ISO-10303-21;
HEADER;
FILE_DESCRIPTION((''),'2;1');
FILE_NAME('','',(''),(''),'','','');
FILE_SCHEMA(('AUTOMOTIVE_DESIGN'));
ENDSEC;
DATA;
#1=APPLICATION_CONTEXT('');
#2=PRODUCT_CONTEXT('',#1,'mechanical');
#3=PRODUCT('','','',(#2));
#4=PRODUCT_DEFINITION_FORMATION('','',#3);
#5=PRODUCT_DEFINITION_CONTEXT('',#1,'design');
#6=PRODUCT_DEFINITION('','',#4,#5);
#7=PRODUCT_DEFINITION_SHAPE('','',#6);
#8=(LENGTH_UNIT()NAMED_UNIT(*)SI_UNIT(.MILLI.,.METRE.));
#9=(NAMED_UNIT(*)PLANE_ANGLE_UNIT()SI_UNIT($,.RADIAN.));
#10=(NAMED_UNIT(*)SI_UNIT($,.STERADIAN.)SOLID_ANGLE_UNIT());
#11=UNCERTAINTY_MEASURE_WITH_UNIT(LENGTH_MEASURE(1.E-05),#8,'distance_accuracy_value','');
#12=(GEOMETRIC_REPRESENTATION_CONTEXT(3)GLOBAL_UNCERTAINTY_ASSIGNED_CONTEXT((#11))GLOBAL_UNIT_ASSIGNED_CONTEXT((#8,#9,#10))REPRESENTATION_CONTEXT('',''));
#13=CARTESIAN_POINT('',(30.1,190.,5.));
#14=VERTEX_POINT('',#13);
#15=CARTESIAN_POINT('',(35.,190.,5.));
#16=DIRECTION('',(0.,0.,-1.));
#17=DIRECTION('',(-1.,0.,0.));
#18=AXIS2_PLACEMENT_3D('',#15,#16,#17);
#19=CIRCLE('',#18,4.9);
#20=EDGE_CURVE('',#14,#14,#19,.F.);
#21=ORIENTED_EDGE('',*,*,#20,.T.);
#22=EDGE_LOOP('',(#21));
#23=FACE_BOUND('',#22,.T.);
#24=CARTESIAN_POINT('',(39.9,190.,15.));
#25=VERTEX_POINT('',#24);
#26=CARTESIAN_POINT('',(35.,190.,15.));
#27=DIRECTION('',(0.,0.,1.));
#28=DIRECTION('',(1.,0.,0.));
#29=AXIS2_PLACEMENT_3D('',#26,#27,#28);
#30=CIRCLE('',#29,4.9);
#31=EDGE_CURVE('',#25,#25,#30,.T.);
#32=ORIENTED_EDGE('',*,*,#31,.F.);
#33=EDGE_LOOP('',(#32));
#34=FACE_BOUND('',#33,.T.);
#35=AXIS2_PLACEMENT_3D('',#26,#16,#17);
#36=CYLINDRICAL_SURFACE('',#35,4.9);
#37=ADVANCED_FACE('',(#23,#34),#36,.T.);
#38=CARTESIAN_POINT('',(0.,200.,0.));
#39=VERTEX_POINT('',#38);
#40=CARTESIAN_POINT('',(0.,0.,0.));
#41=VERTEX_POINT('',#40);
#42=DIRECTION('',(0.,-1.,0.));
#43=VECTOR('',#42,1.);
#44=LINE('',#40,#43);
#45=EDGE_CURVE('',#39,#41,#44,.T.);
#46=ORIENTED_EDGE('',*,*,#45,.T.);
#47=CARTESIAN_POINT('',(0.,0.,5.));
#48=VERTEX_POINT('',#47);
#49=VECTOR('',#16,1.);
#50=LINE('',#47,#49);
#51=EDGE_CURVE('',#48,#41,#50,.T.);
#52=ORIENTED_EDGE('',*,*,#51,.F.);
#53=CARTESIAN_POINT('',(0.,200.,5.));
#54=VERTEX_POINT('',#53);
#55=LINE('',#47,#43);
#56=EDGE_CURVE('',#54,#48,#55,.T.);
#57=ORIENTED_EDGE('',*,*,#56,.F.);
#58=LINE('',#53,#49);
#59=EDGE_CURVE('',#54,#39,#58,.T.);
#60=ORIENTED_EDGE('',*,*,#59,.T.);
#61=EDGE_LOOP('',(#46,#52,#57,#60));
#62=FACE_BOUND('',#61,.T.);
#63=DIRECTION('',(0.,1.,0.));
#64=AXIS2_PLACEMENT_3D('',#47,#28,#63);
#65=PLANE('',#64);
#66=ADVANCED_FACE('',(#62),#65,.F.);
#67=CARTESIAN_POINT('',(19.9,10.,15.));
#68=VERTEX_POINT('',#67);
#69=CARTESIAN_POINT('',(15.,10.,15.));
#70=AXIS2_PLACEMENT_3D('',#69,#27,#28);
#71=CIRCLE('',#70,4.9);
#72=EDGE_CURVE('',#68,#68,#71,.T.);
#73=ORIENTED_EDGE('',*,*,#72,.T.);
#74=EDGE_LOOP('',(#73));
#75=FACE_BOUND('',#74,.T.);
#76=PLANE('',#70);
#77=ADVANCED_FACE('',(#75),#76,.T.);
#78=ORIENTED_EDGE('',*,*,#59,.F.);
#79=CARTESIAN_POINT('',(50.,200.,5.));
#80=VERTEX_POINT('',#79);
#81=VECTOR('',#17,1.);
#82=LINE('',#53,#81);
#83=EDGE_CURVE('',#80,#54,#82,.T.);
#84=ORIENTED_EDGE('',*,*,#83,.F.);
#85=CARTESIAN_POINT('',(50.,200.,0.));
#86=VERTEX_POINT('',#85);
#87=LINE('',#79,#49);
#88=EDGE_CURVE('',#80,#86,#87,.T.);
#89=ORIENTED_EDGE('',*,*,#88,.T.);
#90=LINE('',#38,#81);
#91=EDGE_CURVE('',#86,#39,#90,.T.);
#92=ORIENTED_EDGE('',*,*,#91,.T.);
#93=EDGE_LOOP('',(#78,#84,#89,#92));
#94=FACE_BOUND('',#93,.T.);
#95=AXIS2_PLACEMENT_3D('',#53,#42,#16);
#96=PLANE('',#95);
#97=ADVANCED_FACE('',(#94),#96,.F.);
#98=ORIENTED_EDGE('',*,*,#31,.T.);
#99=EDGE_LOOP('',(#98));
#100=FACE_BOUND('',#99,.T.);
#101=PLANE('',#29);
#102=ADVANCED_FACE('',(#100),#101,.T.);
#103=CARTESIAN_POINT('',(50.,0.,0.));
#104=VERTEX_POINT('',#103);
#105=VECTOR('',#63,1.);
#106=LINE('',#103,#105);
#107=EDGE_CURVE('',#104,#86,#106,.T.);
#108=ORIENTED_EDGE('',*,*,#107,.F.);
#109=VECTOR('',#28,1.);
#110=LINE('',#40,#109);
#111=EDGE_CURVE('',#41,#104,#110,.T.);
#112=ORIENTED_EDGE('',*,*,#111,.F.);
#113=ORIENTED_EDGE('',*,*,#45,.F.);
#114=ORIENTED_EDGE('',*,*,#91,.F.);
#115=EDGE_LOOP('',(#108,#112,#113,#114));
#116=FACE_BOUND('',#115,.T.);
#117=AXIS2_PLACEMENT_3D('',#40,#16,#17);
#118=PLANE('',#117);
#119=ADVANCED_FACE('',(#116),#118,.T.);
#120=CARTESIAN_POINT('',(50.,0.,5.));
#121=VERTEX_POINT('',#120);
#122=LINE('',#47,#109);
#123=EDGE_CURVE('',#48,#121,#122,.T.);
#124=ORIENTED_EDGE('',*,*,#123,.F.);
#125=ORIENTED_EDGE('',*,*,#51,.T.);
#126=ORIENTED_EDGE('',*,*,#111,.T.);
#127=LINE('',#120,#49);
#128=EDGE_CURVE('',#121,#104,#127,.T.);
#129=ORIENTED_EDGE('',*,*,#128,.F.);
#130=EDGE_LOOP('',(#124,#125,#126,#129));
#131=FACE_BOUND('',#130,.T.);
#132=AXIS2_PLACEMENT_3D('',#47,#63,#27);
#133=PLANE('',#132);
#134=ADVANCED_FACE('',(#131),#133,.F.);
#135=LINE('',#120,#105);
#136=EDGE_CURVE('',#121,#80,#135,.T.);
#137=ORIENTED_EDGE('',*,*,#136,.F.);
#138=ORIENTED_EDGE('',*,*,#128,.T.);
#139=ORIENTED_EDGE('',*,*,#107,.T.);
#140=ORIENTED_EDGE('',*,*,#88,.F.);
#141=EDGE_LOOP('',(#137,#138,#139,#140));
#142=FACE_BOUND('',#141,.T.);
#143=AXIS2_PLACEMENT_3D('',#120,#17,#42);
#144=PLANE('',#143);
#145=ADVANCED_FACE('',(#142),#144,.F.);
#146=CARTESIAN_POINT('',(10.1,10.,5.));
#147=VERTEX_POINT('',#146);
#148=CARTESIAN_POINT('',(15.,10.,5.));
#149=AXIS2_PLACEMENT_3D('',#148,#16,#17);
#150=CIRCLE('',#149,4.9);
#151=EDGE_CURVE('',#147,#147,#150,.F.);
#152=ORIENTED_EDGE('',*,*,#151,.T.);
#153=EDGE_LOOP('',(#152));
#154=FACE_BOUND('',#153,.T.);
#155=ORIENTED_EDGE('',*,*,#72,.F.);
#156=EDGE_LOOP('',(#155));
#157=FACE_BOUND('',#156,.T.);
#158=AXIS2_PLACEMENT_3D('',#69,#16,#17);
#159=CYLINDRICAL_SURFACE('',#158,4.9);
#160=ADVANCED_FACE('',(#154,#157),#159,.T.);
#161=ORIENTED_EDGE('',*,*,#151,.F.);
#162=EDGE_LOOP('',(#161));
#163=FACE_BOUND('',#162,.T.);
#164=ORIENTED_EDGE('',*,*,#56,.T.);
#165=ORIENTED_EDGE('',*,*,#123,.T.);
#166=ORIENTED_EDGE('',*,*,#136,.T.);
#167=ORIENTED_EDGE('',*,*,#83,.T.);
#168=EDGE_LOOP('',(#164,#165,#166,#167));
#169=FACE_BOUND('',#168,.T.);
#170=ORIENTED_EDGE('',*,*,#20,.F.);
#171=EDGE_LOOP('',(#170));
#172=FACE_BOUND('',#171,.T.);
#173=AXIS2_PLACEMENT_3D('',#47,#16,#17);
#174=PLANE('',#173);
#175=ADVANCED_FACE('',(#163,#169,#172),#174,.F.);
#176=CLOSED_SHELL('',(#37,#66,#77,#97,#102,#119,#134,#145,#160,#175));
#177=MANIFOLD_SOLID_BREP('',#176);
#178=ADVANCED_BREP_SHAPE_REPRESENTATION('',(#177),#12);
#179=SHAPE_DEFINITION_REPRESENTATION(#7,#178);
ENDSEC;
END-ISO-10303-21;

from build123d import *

# Parameters (mm, degrees)
SKETCH1_W           = 50
SKETCH1_H           = 200
BOSS_EXTRUDE1_DEPTH = 5
SKETCH2_R           = 4.9
BOSS_EXTRUDE2_DEPTH = 10


with BuildPart() as part:
    # Sketch1 → Boss-Extrude1 (new body)
    with BuildSketch(Plane.XY):
        with Locations((25, 100)):
            Rectangle(SKETCH1_W, SKETCH1_H)
    extrude(amount=BOSS_EXTRUDE1_DEPTH)

    # Sketch2 → Boss-Extrude2 (add)
    with BuildSketch(Plane.XY.offset(5)):
        with Locations(Location((15, 10, 0), (0, 0, 180))):
            Circle(SKETCH2_R)
        with Locations(Location((35, 190, 0), (0, 0, 180))):
            Circle(SKETCH2_R)
    extrude(amount=BOSS_EXTRUDE2_DEPTH)


solid = part.part
